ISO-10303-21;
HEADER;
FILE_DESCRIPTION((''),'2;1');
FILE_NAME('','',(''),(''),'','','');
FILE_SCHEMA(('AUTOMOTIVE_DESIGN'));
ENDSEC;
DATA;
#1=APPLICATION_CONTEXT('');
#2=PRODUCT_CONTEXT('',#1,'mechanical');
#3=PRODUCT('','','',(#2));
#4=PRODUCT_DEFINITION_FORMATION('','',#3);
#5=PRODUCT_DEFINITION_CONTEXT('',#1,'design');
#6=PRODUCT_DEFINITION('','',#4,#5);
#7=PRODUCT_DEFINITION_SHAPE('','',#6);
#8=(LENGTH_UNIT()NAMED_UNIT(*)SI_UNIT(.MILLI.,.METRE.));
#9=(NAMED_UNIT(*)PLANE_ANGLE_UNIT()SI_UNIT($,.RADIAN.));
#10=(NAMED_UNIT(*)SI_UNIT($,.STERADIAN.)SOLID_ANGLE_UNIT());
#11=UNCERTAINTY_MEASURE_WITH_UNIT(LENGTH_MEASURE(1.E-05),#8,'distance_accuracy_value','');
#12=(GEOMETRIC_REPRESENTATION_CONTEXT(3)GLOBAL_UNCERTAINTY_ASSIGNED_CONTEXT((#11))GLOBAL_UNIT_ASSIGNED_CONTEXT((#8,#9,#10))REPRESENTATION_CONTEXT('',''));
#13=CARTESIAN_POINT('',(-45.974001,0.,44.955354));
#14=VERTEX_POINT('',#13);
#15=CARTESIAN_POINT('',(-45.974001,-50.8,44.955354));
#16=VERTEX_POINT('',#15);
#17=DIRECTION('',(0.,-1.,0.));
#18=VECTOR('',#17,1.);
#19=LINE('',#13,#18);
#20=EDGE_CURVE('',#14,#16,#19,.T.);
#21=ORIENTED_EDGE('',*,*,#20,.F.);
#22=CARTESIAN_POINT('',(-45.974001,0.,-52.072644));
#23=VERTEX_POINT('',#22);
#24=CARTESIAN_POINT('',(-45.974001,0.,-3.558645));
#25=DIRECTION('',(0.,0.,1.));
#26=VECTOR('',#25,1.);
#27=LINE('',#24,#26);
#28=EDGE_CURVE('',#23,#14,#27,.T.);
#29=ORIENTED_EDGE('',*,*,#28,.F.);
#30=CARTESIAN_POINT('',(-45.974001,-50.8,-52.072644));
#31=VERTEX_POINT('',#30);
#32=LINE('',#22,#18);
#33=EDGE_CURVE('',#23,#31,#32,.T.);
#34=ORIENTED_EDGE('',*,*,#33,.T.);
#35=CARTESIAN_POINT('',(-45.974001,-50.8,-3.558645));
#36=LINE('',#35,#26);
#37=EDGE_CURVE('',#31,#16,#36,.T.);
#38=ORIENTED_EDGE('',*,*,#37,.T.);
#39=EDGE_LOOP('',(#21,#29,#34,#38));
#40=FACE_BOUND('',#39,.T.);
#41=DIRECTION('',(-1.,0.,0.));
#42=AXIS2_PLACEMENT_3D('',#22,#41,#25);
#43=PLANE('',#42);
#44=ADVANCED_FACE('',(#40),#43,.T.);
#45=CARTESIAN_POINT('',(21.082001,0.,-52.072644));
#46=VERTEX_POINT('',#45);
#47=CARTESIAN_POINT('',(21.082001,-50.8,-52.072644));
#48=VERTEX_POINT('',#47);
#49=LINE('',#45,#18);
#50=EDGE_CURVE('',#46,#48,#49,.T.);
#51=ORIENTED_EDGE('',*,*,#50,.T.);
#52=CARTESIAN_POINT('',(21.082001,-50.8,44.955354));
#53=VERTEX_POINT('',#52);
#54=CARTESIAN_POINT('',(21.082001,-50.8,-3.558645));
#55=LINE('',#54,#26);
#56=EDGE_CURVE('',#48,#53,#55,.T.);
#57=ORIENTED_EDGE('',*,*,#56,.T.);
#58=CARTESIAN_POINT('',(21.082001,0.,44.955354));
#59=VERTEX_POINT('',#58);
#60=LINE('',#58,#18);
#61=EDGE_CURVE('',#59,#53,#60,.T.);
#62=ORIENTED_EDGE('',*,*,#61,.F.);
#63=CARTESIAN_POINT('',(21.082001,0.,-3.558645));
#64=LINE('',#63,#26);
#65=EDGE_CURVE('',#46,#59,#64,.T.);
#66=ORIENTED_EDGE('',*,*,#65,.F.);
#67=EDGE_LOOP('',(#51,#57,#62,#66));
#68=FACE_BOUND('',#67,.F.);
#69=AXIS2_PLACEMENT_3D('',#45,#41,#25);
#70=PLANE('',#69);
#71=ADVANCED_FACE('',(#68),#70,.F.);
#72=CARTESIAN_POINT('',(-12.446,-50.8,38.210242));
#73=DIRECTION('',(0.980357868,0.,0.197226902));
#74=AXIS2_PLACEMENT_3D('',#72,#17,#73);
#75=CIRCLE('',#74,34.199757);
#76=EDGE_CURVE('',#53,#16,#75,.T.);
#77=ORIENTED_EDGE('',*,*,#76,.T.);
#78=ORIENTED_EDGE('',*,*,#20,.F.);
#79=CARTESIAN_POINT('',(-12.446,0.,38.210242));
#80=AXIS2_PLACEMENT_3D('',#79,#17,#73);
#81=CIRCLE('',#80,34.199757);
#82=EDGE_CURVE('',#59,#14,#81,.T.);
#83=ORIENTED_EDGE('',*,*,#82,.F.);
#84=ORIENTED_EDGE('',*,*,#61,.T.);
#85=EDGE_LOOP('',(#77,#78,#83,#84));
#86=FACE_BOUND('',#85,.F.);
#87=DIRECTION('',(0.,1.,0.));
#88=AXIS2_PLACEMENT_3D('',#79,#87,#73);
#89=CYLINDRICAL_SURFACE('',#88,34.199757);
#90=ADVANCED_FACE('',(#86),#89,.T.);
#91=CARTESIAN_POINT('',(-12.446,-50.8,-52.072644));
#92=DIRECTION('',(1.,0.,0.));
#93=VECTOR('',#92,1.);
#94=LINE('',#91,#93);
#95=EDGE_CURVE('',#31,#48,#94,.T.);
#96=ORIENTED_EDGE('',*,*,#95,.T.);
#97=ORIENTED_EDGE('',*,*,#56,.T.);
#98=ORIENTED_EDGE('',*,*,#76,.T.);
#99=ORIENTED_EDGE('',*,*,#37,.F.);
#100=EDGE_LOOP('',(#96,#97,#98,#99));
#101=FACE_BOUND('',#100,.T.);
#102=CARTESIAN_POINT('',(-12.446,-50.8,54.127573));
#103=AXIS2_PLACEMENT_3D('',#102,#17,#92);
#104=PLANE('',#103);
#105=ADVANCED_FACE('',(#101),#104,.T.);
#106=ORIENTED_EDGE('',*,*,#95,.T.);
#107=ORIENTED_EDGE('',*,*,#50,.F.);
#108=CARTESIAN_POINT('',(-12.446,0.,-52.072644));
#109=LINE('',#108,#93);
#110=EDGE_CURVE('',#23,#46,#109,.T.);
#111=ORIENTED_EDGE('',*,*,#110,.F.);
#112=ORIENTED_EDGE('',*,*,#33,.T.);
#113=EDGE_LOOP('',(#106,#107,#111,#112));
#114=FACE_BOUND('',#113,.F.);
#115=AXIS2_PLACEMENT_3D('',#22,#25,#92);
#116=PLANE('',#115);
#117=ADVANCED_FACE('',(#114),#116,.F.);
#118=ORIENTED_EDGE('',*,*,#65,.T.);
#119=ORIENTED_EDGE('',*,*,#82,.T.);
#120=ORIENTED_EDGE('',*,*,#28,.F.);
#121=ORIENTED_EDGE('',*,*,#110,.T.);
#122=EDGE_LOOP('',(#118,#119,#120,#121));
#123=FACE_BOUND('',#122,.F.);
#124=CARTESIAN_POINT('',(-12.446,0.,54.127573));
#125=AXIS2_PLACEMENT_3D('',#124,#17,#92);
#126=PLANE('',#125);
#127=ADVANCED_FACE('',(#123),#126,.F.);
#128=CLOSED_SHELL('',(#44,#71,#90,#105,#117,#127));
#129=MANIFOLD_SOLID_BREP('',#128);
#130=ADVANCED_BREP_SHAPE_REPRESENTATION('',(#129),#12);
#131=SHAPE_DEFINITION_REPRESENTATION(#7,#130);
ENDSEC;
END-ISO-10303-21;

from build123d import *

# Parameters (mm, degrees)
F0_W     = 67.056002
F0_H     = 97.027998
F1_DEPTH = 50.8


with BuildPart() as f1:
    # F0 (on Front) → F1 (new body)
    with BuildSketch(Plane.XZ):
        with BuildLine():
            ThreePointArc((21.082001, 44.955354), (-12.446, 72.409999), (-45.974001, 44.955354))
            Line((-45.974001, 44.955354), (21.082001, 44.955354))
        make_face()
        with Locations((-12.446, -3.558645)):
            Rectangle(F0_W, F0_H)
    extrude(amount=F1_DEPTH)


solid = f1.part
